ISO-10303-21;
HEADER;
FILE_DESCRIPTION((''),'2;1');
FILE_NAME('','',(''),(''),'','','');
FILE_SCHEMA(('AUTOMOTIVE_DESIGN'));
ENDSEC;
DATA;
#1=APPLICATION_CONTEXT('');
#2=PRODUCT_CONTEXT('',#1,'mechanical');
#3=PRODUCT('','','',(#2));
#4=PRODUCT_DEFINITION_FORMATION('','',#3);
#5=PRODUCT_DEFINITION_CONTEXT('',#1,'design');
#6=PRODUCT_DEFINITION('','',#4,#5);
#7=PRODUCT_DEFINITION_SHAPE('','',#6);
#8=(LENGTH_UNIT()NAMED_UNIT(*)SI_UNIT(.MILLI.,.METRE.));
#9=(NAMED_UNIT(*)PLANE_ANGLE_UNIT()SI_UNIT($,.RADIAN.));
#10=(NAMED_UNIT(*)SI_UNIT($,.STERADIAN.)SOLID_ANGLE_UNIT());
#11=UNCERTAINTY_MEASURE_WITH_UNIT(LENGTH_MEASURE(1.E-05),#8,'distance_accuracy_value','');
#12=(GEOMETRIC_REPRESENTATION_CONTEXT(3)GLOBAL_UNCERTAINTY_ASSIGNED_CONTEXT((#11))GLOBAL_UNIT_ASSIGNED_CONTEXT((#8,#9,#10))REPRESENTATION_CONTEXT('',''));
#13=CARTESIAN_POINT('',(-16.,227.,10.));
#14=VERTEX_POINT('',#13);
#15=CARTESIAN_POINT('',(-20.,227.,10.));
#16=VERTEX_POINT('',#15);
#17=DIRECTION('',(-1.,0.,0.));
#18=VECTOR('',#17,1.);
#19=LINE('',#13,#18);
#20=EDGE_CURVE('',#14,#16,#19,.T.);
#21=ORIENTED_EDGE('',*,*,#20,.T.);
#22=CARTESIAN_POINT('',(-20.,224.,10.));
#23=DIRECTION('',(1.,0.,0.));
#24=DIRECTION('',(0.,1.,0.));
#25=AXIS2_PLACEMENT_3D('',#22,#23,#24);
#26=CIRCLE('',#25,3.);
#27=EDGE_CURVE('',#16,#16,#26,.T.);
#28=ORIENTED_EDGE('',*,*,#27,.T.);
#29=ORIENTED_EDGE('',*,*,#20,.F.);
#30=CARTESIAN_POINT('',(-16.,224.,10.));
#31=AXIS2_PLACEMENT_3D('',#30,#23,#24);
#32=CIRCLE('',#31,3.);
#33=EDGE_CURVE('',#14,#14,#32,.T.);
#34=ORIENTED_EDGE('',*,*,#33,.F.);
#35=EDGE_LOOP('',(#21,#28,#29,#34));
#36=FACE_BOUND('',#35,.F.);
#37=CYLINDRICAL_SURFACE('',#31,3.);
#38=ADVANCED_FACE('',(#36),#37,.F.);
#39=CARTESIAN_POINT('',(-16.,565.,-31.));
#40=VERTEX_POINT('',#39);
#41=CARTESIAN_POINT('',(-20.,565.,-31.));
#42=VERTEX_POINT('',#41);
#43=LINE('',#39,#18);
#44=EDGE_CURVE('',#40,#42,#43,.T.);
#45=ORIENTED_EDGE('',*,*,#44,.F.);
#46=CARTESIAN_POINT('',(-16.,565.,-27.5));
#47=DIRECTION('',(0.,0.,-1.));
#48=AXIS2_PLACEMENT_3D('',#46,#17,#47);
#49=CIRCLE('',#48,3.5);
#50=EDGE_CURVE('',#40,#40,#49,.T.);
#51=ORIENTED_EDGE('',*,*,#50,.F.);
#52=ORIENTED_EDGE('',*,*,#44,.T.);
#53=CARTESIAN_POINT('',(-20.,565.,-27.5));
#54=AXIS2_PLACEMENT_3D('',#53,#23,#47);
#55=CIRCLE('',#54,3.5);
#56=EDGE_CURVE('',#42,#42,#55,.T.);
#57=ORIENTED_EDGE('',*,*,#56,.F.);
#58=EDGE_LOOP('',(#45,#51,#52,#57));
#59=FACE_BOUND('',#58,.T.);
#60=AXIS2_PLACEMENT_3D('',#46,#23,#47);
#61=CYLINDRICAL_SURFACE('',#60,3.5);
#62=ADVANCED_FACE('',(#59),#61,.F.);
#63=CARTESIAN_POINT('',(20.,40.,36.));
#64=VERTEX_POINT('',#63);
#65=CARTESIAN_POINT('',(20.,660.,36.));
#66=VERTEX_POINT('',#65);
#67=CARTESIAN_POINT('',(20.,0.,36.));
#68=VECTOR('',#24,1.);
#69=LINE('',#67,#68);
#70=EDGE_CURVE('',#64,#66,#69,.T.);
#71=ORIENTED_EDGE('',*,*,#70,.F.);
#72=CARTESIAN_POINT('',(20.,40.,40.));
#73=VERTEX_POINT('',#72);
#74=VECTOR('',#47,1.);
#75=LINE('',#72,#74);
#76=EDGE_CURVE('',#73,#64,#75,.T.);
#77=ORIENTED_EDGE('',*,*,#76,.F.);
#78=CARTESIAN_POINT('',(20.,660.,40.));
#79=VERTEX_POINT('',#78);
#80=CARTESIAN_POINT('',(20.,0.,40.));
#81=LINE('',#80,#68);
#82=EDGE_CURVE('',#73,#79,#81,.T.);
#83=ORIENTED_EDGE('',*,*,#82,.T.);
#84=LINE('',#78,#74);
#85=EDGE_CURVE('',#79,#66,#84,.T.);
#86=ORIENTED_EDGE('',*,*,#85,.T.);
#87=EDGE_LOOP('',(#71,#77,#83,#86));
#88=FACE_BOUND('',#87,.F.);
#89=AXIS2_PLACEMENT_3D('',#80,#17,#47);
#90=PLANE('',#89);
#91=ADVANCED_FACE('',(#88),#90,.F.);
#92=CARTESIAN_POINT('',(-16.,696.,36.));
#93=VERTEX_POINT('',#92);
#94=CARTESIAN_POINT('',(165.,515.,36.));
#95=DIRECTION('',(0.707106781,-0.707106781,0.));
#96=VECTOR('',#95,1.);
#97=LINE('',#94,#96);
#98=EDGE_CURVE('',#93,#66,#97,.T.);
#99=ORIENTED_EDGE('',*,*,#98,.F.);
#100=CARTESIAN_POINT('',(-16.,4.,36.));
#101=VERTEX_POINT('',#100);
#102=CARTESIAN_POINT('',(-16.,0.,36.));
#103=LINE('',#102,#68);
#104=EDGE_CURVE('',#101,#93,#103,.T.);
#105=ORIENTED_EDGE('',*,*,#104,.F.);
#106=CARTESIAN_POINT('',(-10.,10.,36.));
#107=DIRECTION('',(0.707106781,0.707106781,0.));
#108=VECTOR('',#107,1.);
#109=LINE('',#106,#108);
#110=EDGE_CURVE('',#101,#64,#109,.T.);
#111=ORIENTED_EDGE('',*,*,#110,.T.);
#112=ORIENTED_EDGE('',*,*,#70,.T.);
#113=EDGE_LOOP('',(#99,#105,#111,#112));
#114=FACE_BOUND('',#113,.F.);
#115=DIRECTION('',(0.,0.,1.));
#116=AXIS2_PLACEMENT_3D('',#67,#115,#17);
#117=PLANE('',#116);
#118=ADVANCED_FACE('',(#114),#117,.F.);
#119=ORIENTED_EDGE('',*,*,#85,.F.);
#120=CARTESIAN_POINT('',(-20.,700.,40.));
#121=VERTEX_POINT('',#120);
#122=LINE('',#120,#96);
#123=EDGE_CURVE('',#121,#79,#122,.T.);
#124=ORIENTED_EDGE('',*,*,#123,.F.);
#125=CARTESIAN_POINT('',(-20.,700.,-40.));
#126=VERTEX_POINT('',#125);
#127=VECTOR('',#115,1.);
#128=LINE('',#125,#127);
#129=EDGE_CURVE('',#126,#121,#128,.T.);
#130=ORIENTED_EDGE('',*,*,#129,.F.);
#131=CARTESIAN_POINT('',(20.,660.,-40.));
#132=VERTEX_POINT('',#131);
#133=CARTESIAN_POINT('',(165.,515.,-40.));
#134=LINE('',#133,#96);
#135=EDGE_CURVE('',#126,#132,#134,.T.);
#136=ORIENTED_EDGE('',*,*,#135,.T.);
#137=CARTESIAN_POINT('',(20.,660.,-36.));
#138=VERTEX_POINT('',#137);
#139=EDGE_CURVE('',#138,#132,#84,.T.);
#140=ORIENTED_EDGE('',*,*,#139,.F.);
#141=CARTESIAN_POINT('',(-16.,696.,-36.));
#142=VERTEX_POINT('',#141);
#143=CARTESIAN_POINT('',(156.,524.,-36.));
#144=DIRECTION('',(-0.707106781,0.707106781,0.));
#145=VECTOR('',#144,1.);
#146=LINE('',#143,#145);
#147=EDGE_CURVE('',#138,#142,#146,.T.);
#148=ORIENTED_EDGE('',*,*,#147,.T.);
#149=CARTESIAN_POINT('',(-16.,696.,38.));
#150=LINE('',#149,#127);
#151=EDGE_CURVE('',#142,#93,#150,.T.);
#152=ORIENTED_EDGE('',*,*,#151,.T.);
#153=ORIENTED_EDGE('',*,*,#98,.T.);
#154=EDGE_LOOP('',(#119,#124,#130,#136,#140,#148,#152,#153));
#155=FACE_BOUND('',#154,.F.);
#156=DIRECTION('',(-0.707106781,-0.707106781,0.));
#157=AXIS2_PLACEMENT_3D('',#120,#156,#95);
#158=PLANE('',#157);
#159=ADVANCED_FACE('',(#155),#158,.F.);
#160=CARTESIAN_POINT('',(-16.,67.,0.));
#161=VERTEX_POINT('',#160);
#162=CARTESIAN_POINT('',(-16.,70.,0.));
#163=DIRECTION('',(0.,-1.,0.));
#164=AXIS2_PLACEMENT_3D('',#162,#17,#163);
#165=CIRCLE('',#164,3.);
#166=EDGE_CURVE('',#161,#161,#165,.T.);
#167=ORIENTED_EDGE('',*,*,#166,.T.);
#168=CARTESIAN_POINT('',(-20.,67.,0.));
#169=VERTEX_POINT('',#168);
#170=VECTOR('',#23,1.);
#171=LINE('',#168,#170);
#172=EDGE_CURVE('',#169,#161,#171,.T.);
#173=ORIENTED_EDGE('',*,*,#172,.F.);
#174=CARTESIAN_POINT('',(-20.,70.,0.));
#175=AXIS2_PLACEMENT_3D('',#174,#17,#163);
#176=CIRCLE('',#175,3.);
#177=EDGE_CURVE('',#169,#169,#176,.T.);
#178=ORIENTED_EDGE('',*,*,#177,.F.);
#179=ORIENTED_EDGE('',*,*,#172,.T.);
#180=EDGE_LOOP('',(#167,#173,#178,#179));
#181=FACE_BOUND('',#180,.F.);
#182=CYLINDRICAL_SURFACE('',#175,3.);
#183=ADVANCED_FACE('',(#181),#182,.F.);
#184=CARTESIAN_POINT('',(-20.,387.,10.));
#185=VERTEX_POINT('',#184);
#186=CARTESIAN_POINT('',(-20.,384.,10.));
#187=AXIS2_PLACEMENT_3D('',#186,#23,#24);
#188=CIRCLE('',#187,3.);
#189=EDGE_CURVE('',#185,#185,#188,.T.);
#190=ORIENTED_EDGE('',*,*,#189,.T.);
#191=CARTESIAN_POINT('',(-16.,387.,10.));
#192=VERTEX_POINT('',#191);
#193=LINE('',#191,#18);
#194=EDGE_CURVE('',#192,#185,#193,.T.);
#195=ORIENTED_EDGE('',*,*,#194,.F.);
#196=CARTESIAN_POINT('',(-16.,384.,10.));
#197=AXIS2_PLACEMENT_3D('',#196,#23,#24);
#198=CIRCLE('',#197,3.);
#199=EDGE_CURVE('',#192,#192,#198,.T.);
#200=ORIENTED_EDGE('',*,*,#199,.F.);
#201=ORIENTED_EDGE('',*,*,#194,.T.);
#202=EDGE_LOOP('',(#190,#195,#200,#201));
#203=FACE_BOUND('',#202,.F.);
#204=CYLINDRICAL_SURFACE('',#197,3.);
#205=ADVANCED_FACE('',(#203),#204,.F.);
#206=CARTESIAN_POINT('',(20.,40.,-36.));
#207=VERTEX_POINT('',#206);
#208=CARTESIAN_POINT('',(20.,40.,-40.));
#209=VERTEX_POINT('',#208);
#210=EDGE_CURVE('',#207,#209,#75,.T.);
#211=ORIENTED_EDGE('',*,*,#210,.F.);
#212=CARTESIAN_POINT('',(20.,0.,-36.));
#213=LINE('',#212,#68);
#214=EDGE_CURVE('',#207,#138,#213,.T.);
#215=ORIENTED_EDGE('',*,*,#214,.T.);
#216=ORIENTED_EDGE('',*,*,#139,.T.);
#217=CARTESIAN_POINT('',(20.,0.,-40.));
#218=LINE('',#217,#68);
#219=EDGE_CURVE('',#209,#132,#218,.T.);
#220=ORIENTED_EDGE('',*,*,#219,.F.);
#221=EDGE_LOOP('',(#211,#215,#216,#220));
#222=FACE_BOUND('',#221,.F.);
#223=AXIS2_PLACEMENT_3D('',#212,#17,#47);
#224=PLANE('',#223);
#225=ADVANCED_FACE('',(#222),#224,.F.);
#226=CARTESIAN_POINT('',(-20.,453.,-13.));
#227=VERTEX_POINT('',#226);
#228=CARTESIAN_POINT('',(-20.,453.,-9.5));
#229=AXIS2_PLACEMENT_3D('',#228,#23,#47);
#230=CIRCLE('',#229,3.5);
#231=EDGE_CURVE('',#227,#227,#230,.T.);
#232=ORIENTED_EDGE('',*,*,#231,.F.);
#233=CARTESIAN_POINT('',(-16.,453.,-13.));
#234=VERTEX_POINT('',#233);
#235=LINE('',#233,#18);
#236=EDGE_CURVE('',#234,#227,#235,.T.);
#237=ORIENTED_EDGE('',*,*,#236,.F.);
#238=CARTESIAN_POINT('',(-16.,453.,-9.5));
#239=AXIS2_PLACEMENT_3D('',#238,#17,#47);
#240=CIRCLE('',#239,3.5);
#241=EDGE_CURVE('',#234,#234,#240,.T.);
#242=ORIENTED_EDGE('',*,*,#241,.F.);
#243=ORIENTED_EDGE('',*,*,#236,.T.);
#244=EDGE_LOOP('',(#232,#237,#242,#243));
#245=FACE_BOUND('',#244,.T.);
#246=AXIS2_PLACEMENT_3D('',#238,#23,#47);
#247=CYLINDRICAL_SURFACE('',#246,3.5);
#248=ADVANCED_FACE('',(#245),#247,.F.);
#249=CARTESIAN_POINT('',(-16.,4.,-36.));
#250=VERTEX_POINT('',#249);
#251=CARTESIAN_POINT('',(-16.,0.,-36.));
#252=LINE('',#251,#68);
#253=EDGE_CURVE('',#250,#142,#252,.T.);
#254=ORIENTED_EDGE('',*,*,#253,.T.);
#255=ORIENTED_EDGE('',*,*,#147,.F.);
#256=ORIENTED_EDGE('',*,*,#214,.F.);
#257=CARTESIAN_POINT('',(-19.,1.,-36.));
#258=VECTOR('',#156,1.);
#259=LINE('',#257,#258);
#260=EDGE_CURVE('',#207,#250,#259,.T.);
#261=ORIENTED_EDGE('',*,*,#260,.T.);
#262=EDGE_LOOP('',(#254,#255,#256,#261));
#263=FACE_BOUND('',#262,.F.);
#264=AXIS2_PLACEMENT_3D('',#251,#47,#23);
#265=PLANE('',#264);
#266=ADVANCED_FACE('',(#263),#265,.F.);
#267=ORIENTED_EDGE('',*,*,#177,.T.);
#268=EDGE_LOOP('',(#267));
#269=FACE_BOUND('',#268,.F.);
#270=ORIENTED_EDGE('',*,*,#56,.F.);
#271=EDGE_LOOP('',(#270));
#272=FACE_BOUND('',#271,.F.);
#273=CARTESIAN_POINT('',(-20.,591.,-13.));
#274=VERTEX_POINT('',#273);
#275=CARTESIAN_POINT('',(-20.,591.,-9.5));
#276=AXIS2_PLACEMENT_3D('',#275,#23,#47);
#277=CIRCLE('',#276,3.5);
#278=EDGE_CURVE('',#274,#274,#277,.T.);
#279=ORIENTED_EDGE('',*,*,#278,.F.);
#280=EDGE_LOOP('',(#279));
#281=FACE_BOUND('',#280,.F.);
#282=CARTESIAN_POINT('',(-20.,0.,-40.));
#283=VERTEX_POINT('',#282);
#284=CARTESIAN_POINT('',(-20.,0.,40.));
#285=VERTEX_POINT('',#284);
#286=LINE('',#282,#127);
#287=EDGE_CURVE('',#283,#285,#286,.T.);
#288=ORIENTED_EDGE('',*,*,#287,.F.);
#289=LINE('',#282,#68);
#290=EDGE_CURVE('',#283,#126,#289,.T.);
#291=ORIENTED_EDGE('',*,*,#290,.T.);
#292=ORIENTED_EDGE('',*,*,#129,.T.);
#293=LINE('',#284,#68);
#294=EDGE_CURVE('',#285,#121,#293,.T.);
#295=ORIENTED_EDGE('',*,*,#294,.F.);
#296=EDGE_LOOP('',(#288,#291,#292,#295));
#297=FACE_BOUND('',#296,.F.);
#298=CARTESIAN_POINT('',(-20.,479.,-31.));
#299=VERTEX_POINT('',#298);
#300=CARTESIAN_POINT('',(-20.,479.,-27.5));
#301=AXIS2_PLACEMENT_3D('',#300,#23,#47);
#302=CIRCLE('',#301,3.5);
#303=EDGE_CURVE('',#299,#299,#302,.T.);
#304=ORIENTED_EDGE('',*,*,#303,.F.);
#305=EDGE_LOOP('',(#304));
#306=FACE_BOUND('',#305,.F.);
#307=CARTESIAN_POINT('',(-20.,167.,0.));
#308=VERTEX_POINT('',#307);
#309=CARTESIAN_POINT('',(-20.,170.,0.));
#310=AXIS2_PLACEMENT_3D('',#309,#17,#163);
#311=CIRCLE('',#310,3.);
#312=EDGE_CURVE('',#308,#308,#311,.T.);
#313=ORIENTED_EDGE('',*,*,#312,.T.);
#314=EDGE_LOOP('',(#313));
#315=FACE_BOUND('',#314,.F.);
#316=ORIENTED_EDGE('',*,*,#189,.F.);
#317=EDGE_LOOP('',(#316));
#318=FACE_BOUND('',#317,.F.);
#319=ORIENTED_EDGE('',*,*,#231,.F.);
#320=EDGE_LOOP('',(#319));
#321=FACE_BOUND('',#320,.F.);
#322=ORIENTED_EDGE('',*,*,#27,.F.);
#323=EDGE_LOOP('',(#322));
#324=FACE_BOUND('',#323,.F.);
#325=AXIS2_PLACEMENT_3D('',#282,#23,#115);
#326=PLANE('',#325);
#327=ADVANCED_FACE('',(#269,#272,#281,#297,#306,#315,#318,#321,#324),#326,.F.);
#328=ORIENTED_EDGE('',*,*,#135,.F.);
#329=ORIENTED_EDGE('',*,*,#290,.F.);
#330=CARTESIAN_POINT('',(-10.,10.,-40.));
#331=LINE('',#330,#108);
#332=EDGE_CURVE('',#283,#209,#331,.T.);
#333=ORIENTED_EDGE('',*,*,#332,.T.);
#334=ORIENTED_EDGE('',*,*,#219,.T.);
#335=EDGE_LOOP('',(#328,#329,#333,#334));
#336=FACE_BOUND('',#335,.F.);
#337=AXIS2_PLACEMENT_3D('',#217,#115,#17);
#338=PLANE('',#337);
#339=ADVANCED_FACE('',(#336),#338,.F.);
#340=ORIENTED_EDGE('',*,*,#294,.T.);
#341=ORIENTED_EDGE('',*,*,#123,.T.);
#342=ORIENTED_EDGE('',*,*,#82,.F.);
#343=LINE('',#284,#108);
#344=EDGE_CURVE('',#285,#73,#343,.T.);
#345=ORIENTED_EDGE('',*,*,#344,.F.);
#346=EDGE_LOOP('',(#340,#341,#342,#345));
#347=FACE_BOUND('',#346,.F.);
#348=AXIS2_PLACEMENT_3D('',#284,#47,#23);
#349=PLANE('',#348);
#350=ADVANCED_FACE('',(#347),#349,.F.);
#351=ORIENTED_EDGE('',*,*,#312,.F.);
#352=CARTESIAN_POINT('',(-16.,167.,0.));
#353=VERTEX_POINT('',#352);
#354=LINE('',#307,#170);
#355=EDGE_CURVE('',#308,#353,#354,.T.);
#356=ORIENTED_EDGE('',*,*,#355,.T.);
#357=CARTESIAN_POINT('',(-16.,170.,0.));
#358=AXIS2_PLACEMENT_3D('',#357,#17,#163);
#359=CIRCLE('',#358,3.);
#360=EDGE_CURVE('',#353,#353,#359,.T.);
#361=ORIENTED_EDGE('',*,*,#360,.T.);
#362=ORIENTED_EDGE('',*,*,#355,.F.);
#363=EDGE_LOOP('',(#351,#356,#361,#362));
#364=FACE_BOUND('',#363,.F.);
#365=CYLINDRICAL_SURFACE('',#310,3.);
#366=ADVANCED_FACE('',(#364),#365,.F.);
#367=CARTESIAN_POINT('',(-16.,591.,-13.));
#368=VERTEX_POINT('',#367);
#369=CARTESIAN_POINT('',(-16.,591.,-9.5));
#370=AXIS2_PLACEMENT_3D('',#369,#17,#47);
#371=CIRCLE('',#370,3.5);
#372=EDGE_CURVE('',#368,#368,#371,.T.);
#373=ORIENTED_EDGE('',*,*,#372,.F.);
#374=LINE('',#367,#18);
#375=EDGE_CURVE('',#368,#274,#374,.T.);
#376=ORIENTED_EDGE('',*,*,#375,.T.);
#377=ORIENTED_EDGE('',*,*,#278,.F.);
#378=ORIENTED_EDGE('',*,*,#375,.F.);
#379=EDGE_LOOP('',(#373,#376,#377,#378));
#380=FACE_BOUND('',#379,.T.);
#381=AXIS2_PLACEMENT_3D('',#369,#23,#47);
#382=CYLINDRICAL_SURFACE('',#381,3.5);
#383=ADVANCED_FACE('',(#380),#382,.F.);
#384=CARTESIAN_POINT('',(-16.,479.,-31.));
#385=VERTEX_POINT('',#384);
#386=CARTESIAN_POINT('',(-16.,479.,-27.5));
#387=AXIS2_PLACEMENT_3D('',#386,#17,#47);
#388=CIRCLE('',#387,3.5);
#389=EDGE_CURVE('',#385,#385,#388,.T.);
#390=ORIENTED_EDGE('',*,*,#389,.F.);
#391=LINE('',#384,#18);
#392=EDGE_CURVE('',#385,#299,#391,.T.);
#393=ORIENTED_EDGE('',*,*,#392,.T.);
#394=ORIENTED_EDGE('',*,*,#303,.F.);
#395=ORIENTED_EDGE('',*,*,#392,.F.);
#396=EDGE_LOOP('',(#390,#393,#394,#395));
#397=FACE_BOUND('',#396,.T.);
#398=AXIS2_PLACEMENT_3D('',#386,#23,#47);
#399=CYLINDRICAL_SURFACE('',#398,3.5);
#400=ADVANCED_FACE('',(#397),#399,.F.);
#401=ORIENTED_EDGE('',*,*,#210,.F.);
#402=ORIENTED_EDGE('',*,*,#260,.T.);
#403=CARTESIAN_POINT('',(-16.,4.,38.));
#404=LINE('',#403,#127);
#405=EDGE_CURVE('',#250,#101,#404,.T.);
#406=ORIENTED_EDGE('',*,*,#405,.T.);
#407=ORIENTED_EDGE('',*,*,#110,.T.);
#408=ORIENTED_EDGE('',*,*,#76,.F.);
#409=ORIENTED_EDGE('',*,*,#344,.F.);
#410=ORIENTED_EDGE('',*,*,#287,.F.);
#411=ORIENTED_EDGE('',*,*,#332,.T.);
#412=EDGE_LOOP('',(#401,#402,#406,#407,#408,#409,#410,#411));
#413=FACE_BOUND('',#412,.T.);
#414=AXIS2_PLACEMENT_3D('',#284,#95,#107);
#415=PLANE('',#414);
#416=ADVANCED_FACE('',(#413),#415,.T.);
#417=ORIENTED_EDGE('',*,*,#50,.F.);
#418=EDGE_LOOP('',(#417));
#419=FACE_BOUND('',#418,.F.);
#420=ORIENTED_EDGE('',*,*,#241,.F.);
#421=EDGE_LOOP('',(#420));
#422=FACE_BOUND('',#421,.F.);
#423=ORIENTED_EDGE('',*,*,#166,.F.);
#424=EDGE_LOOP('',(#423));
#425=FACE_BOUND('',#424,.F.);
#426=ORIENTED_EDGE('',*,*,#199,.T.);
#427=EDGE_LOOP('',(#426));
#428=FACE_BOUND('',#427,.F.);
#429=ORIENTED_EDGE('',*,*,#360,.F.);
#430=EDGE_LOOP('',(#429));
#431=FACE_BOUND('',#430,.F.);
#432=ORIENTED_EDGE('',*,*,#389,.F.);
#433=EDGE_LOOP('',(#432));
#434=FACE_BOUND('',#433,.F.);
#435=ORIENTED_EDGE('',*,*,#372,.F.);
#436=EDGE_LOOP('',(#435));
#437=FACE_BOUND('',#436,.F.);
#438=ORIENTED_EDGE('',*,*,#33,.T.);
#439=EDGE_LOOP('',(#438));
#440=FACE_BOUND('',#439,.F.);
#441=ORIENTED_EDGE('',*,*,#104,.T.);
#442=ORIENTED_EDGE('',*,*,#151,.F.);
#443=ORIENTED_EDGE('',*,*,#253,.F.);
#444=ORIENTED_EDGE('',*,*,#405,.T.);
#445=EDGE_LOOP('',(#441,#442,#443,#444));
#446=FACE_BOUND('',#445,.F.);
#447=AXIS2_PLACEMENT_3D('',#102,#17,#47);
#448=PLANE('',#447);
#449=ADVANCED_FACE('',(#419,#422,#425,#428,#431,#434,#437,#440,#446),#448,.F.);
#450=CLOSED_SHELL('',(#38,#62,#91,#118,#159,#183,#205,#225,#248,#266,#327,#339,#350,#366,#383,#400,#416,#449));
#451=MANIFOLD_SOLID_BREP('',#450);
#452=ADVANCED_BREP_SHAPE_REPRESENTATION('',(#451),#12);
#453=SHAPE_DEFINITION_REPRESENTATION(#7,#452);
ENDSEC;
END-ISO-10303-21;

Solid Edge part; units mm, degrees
sketch "Sketch1" plane through (0, 0, 0) normal (0, -1, 0) x (1, 0, 0)
  line L0 (20, 36) -> (-16, 36)
  line L1 (-16, 36) -> (-16, -36)
  line L2 (-16, -36) -> (20, -36)
  line L3 (20, -36) -> (20, -40)
  line L4 (20, -40) -> (-20, -40)
  line L5 (-20, -40) -> (-20, 40)
  line L6 (-20, 40) -> (20, 40)
  line L7 (20, 40) -> (20, 36)
  dimension "D1" = 40
  dimension "D2" = 4
  dimension "D3" = 4
  dimension "D4" = 80
  dimension "D5" = 4
extrude "Protrusion1" add sketch "Sketch1" against normal blind 700
sketch "Sketch2" plane through (0, 350, 40) normal (0, 0, 1) x (0, 1, 0)
  line L0 (-350, 20) -> (-310, -20)
extrude "Cutout1" cut sketch "Sketch2" against normal through all material side at (0.0354, 19.9646, 40)
sketch "Sketch3" plane through (0, 350, 40) normal (0, 0, 1) x (0, 1, 0)
  line L0 (350, 20) -> (310, -20)
extrude "Cutout2" cut sketch "Sketch3" against normal through all material side at (0.0354, 680.0354, 40)
sketch "Sketch4" plane through (-16, 350, 0) normal (1, 0, 0) x (0, 1, 0)
  circle A0 centre (-126, 10) radius 3
  circle A1 centre (34, 10) radius 3
  dimension "D1" = 6
  dimension "D2" = 160
  dimension "D3" = 50
  dimension "D4" = 316
extrude "Cutout3" cut sketch "Sketch4" against normal through all
hole "Bohrung_1" at (-16, 591, -9.5) direction (-1, 0, 0) diameter 7 end up to next
hole "Hole1" at (-16, 565, -27.5) direction (-1, 0, 0) diameter 7 end up to next
hole "Hole2" at (-16, 453, -9.5) direction (-1, 0, 0) diameter 7 end up to next
hole "Hole3" at (-16, 479, -27.5) direction (-1, 0, 0) diameter 7 end up to next
sketch "Sketch5" plane through (-20, 350, 0) normal (-1, 0, 0) x (0, -1, 0)
  circle A0 centre (280, 0) radius 3
  circle A1 centre (180, 0) radius 3
  dimension "D1" = 6
  dimension "D2" = 100
  dimension "D3" = 70
  dimension "D4" = 40
extrude "Cutout4" cut sketch "Sketch5" against normal through all
properties part number "A1.1.M1" material "AlMgSi 0,5-1"
